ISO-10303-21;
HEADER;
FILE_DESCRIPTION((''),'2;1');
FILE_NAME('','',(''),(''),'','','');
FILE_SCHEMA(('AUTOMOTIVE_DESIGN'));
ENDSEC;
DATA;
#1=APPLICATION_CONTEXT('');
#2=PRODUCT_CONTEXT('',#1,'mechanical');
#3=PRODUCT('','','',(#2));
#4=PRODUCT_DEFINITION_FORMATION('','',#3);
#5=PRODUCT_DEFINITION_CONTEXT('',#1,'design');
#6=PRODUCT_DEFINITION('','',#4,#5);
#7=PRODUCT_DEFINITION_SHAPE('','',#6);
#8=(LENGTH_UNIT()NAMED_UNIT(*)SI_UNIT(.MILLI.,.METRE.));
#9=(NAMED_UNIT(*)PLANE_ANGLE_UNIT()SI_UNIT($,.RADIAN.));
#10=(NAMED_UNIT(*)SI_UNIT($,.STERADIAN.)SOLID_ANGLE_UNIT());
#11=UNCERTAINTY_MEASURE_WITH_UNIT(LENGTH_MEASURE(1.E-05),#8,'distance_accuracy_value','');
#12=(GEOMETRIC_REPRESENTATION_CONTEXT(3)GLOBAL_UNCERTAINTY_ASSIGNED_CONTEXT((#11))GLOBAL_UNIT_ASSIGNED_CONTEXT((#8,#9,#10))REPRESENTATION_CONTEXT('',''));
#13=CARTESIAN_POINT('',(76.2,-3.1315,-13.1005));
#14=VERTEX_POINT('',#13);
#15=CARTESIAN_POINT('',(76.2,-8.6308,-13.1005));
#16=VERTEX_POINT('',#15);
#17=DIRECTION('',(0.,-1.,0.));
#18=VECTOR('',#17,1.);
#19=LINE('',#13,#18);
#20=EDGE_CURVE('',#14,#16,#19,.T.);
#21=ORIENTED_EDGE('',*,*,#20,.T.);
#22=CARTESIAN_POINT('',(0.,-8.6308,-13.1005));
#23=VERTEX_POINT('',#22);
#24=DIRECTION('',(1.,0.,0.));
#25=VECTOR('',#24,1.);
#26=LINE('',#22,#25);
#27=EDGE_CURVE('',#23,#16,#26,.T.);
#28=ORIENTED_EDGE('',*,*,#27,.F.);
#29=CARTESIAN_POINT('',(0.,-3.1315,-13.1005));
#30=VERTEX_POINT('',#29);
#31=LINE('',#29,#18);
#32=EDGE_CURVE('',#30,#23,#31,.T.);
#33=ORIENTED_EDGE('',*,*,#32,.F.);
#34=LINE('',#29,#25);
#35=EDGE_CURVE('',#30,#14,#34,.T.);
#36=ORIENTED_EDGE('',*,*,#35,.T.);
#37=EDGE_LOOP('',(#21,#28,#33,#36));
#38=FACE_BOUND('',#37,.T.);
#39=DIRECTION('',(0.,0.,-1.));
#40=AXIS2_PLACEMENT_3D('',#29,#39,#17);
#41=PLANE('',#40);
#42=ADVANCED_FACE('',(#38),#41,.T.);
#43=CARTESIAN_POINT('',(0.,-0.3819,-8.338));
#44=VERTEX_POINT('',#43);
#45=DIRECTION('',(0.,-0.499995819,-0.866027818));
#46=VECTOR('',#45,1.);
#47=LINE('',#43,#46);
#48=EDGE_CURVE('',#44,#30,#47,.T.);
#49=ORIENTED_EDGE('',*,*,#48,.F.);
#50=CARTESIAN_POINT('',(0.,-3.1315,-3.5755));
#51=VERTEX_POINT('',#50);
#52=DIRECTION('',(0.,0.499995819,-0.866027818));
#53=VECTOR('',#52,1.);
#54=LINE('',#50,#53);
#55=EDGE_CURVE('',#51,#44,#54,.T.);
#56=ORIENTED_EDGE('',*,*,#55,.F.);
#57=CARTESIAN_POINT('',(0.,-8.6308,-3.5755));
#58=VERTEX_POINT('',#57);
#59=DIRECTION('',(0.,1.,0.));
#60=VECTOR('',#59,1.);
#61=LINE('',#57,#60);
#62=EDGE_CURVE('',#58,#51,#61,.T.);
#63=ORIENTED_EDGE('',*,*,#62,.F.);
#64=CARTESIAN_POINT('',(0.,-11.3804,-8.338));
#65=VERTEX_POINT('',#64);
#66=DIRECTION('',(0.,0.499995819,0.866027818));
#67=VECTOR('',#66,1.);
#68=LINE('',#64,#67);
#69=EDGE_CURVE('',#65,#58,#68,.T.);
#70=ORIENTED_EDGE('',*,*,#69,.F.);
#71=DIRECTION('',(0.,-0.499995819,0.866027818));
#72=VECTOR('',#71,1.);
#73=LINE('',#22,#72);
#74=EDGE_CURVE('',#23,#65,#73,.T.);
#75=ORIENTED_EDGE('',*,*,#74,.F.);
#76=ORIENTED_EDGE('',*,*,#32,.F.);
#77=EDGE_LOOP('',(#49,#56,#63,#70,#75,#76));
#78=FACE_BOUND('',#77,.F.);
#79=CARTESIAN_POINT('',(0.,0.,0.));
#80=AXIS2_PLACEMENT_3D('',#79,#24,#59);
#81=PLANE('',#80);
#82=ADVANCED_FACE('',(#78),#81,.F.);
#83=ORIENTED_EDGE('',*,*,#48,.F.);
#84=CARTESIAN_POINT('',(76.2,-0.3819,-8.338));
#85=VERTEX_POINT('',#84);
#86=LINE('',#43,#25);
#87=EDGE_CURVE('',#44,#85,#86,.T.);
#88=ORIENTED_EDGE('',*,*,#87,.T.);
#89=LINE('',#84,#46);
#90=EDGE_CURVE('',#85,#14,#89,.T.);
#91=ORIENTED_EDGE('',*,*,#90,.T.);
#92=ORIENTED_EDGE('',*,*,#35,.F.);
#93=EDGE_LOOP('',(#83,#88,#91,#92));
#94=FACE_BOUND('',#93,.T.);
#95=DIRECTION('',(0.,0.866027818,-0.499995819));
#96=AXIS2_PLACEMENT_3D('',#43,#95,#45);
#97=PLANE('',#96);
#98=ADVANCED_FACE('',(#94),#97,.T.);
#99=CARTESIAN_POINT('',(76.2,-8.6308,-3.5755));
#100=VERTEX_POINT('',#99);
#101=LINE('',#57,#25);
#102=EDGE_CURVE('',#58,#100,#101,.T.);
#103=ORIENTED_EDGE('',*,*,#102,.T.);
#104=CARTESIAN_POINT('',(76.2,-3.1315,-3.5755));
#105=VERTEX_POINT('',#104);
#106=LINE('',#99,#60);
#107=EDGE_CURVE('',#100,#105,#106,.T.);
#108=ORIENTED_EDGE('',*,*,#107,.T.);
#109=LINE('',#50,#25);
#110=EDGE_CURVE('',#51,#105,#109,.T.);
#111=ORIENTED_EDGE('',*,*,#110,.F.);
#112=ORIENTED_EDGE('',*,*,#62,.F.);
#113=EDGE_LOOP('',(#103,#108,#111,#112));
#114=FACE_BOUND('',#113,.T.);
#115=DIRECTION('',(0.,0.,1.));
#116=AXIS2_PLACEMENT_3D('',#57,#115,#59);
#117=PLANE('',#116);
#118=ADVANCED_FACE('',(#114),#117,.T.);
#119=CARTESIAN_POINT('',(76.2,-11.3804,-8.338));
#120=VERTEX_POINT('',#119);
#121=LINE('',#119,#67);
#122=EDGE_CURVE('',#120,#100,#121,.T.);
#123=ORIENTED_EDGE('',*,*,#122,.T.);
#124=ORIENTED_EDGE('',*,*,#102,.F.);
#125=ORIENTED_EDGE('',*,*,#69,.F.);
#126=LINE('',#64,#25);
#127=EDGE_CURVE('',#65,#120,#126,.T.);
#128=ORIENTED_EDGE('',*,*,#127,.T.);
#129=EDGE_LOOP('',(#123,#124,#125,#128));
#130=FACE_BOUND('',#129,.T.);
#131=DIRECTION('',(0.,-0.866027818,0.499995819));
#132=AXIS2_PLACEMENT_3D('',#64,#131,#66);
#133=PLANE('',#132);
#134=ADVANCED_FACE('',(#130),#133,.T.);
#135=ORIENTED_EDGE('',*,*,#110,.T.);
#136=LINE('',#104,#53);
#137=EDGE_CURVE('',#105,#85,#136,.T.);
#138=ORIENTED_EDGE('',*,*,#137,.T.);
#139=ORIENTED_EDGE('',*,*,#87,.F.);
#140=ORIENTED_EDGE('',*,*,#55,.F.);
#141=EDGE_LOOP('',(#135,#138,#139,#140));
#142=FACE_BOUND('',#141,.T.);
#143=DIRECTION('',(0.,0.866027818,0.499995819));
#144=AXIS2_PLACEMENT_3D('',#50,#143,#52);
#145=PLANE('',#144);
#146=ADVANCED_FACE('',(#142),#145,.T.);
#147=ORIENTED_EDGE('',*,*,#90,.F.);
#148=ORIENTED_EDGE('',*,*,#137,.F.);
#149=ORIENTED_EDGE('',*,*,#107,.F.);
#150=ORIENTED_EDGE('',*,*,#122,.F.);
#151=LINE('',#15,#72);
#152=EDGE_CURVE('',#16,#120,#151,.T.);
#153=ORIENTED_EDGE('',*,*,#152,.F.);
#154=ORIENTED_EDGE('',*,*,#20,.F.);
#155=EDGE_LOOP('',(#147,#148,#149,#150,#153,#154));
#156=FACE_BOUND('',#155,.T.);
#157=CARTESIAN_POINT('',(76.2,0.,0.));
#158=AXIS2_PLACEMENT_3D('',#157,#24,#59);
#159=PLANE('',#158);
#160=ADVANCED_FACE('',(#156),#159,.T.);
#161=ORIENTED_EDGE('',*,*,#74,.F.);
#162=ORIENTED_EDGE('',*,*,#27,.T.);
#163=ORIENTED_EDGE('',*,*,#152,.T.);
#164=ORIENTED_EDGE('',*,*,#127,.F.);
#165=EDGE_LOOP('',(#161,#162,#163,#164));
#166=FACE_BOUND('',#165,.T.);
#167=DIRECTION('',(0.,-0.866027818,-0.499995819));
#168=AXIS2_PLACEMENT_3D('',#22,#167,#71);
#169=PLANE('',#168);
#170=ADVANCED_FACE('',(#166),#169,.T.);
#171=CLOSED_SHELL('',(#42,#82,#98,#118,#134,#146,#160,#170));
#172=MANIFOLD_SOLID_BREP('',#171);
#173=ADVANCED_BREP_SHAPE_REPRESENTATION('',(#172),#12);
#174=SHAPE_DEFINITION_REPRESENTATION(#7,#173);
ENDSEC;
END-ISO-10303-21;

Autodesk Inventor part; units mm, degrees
ref_plane "YZ Plane" through (0, 0, 0) normal (1, 0, 0) x (0, 1, 0)
ref_plane "XZ Plane" through (0, 0, 0) normal (0, 1, 0) x (-1, 0, 0)
ref_plane "XY Plane" through (0, 0, 0) normal (0, 0, 1) x (1, 0, 0)
sketch "Sketch1" plane through (0, 0, 0) normal (1, 0, 0) x (0, 1, 0)
  line L0 (-3.1315, -13.1005) -> (-8.6308, -13.1005)
  line L1 (-8.6308, -13.1005) -> (-11.3804, -8.338)
  line L2 (-11.3804, -8.338) -> (-8.6308, -3.5755)
  line L3 (-8.6308, -3.5755) -> (-3.1315, -3.5755)
  line L4 (-3.1315, -3.5755) -> (-0.3819, -8.338)
  line L5 (-0.3819, -8.338) -> (-3.1315, -13.1005)
  point P0 (0, 0)
  point P1 (-5.8811, -8.338)
  dimension "d0" = 9.525
extrude "Extrusion1" add sketch "Sketch1" along normal blind 76.2
properties part number "3 Inch Hex Chafter"
